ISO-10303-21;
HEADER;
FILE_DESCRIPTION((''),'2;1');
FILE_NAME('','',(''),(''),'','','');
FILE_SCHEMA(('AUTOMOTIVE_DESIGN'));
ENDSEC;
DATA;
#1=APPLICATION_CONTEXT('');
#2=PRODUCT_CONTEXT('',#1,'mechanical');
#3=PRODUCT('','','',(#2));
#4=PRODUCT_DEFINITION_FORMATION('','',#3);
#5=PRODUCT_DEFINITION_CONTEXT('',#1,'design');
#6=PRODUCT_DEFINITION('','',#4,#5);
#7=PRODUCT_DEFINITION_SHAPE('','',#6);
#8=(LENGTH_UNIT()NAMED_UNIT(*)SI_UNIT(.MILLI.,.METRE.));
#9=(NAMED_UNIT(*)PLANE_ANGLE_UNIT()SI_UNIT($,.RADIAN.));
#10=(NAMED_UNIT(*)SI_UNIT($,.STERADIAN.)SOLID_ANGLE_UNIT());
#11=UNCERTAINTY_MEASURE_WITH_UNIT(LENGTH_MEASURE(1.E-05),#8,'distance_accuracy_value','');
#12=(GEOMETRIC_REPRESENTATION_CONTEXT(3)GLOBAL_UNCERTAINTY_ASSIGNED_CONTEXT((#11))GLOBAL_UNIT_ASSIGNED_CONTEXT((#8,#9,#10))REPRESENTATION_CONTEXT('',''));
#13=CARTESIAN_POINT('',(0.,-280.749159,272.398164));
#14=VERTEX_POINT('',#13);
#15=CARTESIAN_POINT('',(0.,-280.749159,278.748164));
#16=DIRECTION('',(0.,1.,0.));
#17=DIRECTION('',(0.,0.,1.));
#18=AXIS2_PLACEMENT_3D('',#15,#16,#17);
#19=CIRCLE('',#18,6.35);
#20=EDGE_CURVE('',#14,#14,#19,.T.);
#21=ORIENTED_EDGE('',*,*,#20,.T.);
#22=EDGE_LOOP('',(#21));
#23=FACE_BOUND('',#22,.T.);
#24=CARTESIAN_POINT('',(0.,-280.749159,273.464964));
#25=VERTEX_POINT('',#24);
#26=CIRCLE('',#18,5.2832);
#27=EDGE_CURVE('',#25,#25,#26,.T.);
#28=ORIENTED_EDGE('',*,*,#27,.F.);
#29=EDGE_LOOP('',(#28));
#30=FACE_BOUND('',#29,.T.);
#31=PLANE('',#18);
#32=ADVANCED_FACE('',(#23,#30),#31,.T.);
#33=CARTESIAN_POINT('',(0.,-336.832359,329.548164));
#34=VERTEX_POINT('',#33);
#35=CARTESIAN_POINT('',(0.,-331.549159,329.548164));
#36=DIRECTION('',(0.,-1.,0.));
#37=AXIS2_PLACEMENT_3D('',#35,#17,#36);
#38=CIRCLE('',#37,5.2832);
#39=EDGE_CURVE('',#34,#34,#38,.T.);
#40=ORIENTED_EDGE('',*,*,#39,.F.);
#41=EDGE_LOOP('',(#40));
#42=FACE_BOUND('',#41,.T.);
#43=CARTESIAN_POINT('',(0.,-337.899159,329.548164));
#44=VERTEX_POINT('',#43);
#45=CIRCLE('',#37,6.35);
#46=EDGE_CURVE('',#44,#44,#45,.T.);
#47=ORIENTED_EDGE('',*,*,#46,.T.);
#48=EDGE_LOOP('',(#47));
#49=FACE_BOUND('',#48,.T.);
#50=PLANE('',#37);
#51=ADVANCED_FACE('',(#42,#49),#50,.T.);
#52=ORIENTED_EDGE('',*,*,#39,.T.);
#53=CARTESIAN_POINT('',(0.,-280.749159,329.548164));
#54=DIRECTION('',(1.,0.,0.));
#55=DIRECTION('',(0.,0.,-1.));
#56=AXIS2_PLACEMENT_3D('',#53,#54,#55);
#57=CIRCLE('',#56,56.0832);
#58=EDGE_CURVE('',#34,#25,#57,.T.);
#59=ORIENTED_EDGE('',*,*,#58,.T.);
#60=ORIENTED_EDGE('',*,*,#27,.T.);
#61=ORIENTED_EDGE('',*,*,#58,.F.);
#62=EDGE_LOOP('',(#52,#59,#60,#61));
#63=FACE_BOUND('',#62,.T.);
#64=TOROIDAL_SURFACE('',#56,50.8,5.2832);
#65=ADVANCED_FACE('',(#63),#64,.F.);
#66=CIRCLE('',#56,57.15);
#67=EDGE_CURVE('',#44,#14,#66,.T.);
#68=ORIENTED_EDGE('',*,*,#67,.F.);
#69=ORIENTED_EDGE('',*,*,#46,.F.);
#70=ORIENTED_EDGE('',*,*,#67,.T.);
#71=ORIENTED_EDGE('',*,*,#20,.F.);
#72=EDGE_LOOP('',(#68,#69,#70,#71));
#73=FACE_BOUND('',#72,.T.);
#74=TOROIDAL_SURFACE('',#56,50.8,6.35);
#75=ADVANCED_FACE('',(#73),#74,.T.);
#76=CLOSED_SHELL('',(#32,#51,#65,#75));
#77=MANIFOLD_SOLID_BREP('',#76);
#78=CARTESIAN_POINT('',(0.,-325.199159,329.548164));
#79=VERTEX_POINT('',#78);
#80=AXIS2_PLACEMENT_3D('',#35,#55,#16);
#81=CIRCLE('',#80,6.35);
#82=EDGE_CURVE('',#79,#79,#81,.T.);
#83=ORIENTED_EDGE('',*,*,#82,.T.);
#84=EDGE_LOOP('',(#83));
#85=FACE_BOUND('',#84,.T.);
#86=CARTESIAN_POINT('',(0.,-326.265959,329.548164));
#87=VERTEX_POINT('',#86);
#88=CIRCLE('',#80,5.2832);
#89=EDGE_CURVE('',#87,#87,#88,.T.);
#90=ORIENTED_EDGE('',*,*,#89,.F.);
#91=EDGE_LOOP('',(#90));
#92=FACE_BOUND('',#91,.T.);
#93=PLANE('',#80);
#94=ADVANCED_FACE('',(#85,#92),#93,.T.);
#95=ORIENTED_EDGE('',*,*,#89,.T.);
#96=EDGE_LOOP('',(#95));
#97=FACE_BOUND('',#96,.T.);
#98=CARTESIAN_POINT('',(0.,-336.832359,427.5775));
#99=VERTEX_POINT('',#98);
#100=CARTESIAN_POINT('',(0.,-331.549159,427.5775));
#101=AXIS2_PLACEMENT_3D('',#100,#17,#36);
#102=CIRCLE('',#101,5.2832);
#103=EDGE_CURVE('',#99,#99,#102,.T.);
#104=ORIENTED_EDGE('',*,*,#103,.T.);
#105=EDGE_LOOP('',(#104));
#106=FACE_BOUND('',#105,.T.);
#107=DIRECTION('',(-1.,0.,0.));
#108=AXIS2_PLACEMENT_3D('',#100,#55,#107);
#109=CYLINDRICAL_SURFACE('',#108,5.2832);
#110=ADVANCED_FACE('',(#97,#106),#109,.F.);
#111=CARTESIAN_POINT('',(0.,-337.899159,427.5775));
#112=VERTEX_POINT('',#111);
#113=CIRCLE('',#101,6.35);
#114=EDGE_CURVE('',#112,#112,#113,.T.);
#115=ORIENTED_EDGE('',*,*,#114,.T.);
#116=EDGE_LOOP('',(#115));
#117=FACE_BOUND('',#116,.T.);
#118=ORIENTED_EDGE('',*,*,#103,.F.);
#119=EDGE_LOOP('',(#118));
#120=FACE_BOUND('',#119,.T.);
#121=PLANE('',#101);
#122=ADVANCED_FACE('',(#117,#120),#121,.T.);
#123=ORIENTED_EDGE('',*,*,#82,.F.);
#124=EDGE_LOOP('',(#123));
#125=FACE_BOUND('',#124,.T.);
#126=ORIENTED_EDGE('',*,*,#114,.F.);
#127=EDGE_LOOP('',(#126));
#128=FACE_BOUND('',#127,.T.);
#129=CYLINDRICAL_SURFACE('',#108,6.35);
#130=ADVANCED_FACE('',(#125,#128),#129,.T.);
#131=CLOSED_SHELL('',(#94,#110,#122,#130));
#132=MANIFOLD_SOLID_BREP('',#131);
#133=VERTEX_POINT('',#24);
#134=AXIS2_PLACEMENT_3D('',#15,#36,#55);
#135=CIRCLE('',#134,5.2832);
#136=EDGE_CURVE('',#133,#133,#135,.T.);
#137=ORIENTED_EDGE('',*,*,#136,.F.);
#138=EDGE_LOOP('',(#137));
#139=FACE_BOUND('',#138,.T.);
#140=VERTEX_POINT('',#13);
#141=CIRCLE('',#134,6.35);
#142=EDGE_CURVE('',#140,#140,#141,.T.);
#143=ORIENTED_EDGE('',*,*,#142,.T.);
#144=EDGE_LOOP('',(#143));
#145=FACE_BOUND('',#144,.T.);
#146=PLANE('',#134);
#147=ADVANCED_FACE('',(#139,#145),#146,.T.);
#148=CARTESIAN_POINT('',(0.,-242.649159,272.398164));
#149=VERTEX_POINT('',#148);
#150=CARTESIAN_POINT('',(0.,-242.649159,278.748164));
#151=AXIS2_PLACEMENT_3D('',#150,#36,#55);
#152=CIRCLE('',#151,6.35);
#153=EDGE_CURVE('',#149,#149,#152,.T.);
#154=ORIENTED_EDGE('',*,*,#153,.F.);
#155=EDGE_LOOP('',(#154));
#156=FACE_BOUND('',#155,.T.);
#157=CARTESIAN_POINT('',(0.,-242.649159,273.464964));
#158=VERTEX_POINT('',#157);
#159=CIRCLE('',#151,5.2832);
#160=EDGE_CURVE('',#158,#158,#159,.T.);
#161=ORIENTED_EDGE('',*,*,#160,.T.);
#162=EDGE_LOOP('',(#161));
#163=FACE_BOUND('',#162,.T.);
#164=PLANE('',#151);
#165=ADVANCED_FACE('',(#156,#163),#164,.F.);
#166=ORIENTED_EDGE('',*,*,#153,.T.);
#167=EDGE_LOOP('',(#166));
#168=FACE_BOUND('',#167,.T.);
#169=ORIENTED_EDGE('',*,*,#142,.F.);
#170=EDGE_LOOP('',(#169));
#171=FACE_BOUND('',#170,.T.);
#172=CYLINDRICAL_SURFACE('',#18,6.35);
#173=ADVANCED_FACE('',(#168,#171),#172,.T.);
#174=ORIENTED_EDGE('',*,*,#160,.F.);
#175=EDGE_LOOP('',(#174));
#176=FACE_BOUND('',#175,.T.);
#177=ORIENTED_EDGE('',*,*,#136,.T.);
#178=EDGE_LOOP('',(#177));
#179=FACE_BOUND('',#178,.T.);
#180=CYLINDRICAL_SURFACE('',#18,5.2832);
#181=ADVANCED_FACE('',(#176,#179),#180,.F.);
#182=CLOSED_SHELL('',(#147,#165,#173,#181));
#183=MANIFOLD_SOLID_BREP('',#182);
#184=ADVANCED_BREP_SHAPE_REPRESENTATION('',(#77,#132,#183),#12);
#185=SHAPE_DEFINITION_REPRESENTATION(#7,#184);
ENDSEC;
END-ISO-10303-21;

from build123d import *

# Parameters (mm, degrees)
SKETCH1_R                 = 6.35
SKETCH1_R_2               = 5.2832
PIPE_0_5_SCH_40_1_DEPTH   = 38.1
SKETCH1_ON_SEGMENT_2_R    = 6.35
SKETCH1_ON_SEGMENT_2_R_2  = 5.2832
PIPE_0_5_SCH_40_1_2_ANGLE = 90
SKETCH1_ON_SEGMENT_3_R    = 6.35
SKETCH1_ON_SEGMENT_3_R_2  = 5.2832
PIPE_0_5_SCH_40_1_3_DEPTH = 98.029336108


with BuildPart() as part:
    # Sketch1 → Pipe 0.5 SCH 40(1) (new body)
    with BuildSketch(Plane(origin=(0, -242.649158879, 278.748163938), x_dir=(0, 0, -1), z_dir=(0, -1, 0))):
        Circle(SKETCH1_R)
        Circle(SKETCH1_R_2, mode=Mode.SUBTRACT)
    extrude(amount=PIPE_0_5_SCH_40_1_DEPTH)


with BuildPart() as body_2:
    # Sketch1 on segment 2 (carried to the start of arc 2) → Pipe 0.5 SCH 40_1 2 (revolve)
    with BuildSketch(Plane(origin=(0, -280.749158879, 278.748163938), x_dir=(0, 0, -1), z_dir=(0, -1, 0))):
        Circle(SKETCH1_ON_SEGMENT_2_R)
        Circle(SKETCH1_ON_SEGMENT_2_R_2, mode=Mode.SUBTRACT)
    revolve(axis=Axis((0, -280.749158879, 329.548163938), (-1, 0, 0)), revolution_arc=PIPE_0_5_SCH_40_1_2_ANGLE)


with BuildPart() as body_3:
    # Sketch1 on segment 3 (carried to segment 3) → Pipe 0.5 SCH 40_1 3 (new body)
    with BuildSketch(Plane(origin=(0, -331.549158879, 329.548163938), x_dir=(0, -1, 0), z_dir=(0, 0, 1))):
        Circle(SKETCH1_ON_SEGMENT_3_R)
        Circle(SKETCH1_ON_SEGMENT_3_R_2, mode=Mode.SUBTRACT)
    extrude(amount=PIPE_0_5_SCH_40_1_3_DEPTH)


solid = Compound([part.part, body_2.part, body_3.part])
